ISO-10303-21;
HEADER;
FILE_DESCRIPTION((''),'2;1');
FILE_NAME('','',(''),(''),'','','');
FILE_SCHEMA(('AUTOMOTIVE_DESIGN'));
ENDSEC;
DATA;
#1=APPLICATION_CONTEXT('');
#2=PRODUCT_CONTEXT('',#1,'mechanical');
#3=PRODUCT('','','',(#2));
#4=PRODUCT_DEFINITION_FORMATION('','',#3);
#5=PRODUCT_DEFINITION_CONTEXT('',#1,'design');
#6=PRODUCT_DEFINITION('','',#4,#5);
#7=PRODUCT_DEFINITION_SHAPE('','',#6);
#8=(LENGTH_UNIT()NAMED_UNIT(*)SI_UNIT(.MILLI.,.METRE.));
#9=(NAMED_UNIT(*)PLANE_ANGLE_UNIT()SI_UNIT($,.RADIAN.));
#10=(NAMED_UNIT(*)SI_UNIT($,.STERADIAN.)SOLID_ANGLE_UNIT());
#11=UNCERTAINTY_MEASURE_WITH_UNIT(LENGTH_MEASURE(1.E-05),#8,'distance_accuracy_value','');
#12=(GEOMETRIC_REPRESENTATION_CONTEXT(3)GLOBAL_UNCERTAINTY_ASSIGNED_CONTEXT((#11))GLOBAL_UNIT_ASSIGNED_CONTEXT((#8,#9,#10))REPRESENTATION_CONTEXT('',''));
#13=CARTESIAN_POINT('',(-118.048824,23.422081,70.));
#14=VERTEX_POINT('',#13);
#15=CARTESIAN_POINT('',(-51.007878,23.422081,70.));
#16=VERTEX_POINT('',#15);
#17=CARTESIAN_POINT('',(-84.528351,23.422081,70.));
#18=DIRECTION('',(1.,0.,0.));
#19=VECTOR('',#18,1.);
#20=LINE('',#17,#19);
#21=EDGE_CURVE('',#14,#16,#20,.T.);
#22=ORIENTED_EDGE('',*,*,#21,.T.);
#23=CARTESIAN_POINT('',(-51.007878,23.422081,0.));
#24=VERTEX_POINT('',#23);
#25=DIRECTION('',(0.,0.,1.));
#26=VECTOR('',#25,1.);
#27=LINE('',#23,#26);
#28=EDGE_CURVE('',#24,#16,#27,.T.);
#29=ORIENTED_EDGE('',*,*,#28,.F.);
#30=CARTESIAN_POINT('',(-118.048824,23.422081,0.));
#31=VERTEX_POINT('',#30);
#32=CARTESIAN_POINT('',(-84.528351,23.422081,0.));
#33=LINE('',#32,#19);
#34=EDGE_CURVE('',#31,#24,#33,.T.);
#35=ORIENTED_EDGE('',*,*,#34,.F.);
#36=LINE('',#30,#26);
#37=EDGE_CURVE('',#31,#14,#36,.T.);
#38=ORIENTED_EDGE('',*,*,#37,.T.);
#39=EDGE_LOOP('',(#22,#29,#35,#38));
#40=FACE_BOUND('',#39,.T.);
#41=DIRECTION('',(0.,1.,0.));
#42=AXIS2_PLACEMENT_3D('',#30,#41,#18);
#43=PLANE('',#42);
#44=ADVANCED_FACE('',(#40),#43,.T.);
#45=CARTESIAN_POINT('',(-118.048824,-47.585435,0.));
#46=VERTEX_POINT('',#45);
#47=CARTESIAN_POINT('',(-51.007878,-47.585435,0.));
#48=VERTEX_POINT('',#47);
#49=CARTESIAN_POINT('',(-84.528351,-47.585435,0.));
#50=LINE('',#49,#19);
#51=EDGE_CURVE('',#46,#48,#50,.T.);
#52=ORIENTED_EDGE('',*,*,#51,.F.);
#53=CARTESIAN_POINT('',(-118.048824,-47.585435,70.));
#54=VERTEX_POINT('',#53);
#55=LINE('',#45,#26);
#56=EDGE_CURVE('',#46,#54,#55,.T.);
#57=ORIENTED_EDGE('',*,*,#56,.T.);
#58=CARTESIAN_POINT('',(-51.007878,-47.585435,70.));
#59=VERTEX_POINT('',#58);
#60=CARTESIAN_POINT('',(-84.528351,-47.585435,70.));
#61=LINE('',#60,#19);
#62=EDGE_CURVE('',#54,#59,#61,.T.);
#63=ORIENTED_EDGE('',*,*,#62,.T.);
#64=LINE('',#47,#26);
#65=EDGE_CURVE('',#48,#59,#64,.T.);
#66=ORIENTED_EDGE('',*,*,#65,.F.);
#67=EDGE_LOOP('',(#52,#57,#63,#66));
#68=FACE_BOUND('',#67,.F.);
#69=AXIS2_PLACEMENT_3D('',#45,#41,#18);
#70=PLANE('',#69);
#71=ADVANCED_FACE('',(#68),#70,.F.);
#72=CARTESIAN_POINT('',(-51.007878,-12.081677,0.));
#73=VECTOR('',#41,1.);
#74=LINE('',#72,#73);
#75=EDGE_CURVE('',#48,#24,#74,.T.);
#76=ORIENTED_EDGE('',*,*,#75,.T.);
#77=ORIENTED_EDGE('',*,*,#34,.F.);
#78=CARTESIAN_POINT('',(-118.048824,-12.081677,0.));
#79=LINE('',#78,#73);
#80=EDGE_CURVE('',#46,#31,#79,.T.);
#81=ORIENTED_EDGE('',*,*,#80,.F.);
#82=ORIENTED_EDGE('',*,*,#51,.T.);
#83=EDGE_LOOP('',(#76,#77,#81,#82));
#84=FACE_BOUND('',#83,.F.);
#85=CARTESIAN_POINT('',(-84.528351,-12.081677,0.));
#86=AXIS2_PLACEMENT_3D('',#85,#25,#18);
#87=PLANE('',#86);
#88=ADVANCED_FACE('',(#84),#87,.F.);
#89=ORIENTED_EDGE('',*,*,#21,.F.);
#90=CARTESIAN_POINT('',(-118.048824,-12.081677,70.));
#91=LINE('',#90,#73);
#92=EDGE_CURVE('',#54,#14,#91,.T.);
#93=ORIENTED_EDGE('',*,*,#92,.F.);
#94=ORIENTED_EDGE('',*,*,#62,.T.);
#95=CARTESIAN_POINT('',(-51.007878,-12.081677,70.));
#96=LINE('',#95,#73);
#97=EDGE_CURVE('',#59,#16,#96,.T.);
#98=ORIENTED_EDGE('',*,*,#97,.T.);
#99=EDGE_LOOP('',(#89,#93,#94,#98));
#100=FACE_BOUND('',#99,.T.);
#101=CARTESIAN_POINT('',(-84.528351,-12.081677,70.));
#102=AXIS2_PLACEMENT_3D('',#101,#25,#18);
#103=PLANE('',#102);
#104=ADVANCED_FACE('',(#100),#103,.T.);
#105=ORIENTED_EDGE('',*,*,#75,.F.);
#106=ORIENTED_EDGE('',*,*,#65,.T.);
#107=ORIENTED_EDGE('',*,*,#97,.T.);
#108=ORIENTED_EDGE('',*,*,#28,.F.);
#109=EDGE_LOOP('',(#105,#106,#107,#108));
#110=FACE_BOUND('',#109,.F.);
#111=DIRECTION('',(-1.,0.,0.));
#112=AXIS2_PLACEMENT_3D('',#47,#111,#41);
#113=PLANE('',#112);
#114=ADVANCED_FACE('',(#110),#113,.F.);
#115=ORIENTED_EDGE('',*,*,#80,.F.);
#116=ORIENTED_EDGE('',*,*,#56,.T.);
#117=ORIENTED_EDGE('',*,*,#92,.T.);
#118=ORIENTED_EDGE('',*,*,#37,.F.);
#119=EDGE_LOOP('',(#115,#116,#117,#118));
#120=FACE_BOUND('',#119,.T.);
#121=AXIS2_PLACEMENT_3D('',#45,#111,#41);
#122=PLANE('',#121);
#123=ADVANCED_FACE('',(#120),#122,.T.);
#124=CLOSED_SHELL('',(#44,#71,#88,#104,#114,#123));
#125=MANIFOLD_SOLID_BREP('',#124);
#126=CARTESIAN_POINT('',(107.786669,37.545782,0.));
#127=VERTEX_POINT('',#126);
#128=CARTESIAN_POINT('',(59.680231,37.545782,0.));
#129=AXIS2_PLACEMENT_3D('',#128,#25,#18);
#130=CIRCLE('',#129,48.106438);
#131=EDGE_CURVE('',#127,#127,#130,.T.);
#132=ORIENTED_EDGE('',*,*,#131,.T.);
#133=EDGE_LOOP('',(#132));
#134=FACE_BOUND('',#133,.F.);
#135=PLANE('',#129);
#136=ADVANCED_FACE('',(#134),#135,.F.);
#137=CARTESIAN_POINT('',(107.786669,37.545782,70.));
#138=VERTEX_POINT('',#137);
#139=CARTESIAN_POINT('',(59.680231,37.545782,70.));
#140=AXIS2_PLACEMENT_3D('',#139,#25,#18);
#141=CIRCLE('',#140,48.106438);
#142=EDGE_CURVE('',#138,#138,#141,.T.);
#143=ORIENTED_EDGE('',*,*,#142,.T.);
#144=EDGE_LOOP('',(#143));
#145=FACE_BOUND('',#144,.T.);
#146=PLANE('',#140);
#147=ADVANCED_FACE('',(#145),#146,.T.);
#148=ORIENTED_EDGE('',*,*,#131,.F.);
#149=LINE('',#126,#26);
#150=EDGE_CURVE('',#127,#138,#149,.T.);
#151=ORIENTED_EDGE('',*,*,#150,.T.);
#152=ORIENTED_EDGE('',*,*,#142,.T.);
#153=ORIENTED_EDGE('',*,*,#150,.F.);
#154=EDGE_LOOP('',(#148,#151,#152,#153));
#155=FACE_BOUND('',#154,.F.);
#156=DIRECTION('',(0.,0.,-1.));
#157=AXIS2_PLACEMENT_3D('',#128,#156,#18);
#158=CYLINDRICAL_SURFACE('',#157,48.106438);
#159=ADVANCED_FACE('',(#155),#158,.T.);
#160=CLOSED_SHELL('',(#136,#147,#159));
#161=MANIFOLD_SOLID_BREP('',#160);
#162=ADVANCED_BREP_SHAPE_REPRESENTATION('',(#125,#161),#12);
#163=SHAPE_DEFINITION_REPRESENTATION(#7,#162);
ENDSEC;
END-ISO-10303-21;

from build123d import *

# Parameters (mm, degrees)
F0_W     = 67.040946
F0_H     = 71.007516
F0_R     = 48.106438
F1_DEPTH = 70


with BuildPart() as f1:
    # F0 (on Top) → F1 (new body)
    with BuildSketch(Plane.XY):
        with Locations((-84.528351, -12.081677)):
            Rectangle(F0_W, F0_H)
        with Locations((59.680231, 37.545782)):
            Circle(F0_R)
    extrude(amount=F1_DEPTH)


solid = f1.part
